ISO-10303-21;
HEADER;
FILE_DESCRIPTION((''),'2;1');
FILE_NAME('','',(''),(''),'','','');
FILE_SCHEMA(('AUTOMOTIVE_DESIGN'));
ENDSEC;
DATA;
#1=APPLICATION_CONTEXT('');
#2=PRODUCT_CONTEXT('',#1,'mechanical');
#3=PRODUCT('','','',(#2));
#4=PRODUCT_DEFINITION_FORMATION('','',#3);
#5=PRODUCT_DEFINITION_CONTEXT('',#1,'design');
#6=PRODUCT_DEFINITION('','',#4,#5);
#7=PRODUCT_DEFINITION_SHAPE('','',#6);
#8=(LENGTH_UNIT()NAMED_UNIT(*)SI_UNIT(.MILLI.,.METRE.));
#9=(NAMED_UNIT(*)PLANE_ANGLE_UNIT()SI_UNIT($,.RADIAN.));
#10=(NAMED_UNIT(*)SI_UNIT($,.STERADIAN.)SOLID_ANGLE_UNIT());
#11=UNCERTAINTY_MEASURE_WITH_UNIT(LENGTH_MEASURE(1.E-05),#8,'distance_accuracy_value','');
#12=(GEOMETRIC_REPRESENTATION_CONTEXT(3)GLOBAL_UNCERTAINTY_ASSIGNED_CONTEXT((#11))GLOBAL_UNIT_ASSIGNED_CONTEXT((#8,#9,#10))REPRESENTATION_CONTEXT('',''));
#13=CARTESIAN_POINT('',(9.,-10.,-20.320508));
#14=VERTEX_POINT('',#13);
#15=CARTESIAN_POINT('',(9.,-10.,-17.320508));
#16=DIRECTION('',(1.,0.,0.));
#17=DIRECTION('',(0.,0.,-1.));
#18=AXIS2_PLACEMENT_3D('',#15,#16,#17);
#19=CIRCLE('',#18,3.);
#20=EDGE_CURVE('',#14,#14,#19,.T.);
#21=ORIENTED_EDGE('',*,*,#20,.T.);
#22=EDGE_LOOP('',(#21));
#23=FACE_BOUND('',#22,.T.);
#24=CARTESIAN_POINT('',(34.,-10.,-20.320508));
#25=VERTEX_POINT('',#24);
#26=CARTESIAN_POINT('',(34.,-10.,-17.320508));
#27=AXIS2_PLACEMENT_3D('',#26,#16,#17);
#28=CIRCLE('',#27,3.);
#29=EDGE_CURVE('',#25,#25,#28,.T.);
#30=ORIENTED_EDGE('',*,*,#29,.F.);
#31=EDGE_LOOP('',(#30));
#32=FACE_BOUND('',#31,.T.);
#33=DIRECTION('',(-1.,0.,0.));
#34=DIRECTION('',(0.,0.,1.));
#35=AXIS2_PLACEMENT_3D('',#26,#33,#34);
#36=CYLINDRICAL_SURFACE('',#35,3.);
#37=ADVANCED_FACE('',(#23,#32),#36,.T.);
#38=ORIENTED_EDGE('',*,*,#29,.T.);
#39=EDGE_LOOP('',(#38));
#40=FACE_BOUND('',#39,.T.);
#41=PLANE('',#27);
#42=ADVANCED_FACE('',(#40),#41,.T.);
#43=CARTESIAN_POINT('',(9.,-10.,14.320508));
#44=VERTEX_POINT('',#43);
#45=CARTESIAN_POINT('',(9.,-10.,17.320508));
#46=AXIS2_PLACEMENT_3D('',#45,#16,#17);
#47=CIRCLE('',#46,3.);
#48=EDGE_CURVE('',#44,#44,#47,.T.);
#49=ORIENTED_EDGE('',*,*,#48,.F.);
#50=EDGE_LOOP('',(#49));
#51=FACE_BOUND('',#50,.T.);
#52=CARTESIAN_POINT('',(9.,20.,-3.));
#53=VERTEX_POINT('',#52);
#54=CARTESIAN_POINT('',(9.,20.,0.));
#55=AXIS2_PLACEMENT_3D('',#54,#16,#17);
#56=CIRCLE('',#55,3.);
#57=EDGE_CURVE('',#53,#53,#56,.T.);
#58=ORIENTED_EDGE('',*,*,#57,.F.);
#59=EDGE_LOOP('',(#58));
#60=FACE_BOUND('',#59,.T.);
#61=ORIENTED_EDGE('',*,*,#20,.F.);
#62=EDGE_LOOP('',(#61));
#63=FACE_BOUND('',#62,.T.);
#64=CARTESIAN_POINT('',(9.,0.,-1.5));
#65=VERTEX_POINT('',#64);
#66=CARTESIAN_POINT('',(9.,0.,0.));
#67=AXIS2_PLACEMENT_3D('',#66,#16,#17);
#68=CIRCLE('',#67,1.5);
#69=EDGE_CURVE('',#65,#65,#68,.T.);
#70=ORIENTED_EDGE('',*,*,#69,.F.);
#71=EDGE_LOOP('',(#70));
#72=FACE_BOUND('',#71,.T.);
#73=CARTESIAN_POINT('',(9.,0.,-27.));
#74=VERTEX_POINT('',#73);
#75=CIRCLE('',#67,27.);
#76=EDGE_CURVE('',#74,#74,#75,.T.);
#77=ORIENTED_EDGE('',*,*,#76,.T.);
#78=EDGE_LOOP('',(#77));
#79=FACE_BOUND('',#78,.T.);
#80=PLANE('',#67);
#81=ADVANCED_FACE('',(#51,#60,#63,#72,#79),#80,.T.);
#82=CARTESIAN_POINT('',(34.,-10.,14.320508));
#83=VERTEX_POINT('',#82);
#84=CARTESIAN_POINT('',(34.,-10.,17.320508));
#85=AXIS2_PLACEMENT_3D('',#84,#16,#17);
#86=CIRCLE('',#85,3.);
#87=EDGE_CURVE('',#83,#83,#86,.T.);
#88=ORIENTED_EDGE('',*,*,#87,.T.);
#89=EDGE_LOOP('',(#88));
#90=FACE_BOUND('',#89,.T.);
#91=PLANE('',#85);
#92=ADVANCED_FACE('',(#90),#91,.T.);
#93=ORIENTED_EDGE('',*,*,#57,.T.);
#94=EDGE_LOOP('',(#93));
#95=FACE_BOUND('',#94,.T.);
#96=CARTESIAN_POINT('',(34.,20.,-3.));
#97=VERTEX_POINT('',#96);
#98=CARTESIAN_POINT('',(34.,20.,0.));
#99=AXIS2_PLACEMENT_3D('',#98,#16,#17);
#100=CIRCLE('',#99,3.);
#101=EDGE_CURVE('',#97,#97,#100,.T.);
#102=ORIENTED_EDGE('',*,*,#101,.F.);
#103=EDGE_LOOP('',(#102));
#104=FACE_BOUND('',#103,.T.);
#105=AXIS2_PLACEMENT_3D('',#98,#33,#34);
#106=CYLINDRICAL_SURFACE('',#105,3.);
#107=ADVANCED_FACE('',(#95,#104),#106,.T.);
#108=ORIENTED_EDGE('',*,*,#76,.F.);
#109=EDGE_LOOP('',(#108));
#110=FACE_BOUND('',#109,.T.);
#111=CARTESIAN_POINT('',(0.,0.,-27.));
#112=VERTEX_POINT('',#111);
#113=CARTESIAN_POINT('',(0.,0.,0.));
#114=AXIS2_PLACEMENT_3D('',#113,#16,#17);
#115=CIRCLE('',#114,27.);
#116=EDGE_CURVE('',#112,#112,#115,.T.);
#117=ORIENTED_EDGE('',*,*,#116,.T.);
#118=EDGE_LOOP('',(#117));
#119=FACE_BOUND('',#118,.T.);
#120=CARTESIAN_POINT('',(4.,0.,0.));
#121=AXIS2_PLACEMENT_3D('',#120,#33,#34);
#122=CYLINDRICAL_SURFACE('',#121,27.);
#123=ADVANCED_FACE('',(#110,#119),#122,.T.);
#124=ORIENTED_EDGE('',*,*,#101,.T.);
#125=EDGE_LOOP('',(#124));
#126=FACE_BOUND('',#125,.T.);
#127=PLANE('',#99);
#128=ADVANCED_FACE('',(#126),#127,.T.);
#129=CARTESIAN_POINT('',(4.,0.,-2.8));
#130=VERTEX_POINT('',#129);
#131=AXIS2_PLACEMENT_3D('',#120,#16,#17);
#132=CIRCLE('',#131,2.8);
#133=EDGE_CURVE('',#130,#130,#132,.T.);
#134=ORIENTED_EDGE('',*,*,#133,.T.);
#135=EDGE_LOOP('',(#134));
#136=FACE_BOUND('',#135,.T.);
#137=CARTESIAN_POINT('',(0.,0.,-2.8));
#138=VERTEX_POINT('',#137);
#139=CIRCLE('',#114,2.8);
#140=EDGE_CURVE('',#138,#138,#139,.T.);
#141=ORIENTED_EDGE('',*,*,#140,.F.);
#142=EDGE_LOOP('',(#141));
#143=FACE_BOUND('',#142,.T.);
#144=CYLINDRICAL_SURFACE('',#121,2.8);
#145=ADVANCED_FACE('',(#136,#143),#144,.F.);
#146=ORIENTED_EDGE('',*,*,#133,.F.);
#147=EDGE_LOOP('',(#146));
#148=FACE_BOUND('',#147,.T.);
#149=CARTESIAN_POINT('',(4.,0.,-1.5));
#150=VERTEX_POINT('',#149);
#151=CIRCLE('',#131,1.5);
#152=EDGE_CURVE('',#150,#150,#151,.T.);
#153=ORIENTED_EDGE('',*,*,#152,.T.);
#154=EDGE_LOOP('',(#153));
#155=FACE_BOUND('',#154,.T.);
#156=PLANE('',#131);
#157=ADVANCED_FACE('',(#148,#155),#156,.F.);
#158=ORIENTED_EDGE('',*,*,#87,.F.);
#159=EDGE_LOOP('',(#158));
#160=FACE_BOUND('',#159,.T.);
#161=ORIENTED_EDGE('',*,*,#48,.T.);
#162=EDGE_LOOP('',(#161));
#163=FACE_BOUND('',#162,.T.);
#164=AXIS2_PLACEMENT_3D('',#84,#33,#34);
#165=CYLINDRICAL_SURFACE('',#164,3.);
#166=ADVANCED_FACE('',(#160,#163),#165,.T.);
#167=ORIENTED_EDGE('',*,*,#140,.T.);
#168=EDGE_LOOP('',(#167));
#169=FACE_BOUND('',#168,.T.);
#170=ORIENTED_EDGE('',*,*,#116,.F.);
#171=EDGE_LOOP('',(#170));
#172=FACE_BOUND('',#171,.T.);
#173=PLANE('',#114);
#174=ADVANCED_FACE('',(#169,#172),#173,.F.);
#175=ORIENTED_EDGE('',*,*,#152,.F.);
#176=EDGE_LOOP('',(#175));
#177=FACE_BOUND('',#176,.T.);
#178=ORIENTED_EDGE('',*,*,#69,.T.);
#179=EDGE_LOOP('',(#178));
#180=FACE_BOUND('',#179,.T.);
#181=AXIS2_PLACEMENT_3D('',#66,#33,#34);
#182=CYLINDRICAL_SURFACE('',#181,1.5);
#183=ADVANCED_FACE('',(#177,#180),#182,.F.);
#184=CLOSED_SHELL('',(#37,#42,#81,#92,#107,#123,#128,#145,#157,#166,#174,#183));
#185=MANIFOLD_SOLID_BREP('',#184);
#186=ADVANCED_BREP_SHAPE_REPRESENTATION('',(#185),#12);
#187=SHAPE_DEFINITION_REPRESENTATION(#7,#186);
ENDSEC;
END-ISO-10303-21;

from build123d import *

# Parameters (mm, degrees)
SKETCH1_R           = 27
SKETCH1_R_2         = 2.8
BOSS_EXTRUDE2_DEPTH = 4
SKETCH2_R           = 27
SKETCH2_R_2         = 2.8
SKETCH2_R_3         = 1.5
BOSS_EXTRUDE3_DEPTH = 5
SKETCH3_R           = 3
BOSS_EXTRUDE4_DEPTH = 25
SKETCH4_R           = 12.2
SKETCH4_R_2         = 7.64
BOSS_EXTRUDE5_DEPTH = 3
SKETCH5_R           = 12.2
SKETCH5_R_2         = 7.64
CUT_EXTRUDE1_DEPTH  = 3


with BuildPart() as part:
    # Sketch1 → Boss-Extrude2 (new body)
    with BuildSketch(Plane(origin=(0, 0, 0), x_dir=(0, 0, -1), z_dir=(1, 0, 0))):
        Circle(SKETCH1_R)
        Circle(SKETCH1_R_2, mode=Mode.SUBTRACT)
    extrude(amount=BOSS_EXTRUDE2_DEPTH)

    # Sketch2 → Boss-Extrude3 (add)
    with BuildSketch(Plane(origin=(4, 0, 0), x_dir=(0, 0, -1), z_dir=(1, 0, 0))):
        Circle(SKETCH2_R)
        Circle(SKETCH2_R_2, mode=Mode.SUBTRACT)
        Circle(SKETCH2_R_2)
        Circle(SKETCH2_R_3, mode=Mode.SUBTRACT)
    extrude(amount=BOSS_EXTRUDE3_DEPTH)

    # Sketch3 → Boss-Extrude4 (add)
    with BuildSketch(Plane(origin=(9, 0, 0), x_dir=(0, 0, -1), z_dir=(1, 0, 0))):
        with Locations((0, 20)):
            Circle(SKETCH3_R)
        with Locations((17.320508076, -10)):
            Circle(SKETCH3_R)
        with Locations((-17.320508076, -10)):
            Circle(SKETCH3_R)
    extrude(amount=BOSS_EXTRUDE4_DEPTH)

    # Sketch4 → Boss-Extrude5 (add)
    with BuildSketch(Plane(origin=(9, 0, 0), x_dir=(0, 0, -1), z_dir=(1, 0, 0))):
        Circle(SKETCH4_R)
        Circle(SKETCH4_R_2, mode=Mode.SUBTRACT)
    extrude(amount=BOSS_EXTRUDE5_DEPTH)

    # Sketch5 → Cut-Extrude1 (cut)
    with BuildSketch(Plane(origin=(12, 0, 0), x_dir=(0, 0, -1), z_dir=(1, 0, 0))):
        Circle(SKETCH5_R)
        Circle(SKETCH5_R_2, mode=Mode.SUBTRACT)
    extrude(amount=-CUT_EXTRUDE1_DEPTH, mode=Mode.SUBTRACT)


solid = part.part
